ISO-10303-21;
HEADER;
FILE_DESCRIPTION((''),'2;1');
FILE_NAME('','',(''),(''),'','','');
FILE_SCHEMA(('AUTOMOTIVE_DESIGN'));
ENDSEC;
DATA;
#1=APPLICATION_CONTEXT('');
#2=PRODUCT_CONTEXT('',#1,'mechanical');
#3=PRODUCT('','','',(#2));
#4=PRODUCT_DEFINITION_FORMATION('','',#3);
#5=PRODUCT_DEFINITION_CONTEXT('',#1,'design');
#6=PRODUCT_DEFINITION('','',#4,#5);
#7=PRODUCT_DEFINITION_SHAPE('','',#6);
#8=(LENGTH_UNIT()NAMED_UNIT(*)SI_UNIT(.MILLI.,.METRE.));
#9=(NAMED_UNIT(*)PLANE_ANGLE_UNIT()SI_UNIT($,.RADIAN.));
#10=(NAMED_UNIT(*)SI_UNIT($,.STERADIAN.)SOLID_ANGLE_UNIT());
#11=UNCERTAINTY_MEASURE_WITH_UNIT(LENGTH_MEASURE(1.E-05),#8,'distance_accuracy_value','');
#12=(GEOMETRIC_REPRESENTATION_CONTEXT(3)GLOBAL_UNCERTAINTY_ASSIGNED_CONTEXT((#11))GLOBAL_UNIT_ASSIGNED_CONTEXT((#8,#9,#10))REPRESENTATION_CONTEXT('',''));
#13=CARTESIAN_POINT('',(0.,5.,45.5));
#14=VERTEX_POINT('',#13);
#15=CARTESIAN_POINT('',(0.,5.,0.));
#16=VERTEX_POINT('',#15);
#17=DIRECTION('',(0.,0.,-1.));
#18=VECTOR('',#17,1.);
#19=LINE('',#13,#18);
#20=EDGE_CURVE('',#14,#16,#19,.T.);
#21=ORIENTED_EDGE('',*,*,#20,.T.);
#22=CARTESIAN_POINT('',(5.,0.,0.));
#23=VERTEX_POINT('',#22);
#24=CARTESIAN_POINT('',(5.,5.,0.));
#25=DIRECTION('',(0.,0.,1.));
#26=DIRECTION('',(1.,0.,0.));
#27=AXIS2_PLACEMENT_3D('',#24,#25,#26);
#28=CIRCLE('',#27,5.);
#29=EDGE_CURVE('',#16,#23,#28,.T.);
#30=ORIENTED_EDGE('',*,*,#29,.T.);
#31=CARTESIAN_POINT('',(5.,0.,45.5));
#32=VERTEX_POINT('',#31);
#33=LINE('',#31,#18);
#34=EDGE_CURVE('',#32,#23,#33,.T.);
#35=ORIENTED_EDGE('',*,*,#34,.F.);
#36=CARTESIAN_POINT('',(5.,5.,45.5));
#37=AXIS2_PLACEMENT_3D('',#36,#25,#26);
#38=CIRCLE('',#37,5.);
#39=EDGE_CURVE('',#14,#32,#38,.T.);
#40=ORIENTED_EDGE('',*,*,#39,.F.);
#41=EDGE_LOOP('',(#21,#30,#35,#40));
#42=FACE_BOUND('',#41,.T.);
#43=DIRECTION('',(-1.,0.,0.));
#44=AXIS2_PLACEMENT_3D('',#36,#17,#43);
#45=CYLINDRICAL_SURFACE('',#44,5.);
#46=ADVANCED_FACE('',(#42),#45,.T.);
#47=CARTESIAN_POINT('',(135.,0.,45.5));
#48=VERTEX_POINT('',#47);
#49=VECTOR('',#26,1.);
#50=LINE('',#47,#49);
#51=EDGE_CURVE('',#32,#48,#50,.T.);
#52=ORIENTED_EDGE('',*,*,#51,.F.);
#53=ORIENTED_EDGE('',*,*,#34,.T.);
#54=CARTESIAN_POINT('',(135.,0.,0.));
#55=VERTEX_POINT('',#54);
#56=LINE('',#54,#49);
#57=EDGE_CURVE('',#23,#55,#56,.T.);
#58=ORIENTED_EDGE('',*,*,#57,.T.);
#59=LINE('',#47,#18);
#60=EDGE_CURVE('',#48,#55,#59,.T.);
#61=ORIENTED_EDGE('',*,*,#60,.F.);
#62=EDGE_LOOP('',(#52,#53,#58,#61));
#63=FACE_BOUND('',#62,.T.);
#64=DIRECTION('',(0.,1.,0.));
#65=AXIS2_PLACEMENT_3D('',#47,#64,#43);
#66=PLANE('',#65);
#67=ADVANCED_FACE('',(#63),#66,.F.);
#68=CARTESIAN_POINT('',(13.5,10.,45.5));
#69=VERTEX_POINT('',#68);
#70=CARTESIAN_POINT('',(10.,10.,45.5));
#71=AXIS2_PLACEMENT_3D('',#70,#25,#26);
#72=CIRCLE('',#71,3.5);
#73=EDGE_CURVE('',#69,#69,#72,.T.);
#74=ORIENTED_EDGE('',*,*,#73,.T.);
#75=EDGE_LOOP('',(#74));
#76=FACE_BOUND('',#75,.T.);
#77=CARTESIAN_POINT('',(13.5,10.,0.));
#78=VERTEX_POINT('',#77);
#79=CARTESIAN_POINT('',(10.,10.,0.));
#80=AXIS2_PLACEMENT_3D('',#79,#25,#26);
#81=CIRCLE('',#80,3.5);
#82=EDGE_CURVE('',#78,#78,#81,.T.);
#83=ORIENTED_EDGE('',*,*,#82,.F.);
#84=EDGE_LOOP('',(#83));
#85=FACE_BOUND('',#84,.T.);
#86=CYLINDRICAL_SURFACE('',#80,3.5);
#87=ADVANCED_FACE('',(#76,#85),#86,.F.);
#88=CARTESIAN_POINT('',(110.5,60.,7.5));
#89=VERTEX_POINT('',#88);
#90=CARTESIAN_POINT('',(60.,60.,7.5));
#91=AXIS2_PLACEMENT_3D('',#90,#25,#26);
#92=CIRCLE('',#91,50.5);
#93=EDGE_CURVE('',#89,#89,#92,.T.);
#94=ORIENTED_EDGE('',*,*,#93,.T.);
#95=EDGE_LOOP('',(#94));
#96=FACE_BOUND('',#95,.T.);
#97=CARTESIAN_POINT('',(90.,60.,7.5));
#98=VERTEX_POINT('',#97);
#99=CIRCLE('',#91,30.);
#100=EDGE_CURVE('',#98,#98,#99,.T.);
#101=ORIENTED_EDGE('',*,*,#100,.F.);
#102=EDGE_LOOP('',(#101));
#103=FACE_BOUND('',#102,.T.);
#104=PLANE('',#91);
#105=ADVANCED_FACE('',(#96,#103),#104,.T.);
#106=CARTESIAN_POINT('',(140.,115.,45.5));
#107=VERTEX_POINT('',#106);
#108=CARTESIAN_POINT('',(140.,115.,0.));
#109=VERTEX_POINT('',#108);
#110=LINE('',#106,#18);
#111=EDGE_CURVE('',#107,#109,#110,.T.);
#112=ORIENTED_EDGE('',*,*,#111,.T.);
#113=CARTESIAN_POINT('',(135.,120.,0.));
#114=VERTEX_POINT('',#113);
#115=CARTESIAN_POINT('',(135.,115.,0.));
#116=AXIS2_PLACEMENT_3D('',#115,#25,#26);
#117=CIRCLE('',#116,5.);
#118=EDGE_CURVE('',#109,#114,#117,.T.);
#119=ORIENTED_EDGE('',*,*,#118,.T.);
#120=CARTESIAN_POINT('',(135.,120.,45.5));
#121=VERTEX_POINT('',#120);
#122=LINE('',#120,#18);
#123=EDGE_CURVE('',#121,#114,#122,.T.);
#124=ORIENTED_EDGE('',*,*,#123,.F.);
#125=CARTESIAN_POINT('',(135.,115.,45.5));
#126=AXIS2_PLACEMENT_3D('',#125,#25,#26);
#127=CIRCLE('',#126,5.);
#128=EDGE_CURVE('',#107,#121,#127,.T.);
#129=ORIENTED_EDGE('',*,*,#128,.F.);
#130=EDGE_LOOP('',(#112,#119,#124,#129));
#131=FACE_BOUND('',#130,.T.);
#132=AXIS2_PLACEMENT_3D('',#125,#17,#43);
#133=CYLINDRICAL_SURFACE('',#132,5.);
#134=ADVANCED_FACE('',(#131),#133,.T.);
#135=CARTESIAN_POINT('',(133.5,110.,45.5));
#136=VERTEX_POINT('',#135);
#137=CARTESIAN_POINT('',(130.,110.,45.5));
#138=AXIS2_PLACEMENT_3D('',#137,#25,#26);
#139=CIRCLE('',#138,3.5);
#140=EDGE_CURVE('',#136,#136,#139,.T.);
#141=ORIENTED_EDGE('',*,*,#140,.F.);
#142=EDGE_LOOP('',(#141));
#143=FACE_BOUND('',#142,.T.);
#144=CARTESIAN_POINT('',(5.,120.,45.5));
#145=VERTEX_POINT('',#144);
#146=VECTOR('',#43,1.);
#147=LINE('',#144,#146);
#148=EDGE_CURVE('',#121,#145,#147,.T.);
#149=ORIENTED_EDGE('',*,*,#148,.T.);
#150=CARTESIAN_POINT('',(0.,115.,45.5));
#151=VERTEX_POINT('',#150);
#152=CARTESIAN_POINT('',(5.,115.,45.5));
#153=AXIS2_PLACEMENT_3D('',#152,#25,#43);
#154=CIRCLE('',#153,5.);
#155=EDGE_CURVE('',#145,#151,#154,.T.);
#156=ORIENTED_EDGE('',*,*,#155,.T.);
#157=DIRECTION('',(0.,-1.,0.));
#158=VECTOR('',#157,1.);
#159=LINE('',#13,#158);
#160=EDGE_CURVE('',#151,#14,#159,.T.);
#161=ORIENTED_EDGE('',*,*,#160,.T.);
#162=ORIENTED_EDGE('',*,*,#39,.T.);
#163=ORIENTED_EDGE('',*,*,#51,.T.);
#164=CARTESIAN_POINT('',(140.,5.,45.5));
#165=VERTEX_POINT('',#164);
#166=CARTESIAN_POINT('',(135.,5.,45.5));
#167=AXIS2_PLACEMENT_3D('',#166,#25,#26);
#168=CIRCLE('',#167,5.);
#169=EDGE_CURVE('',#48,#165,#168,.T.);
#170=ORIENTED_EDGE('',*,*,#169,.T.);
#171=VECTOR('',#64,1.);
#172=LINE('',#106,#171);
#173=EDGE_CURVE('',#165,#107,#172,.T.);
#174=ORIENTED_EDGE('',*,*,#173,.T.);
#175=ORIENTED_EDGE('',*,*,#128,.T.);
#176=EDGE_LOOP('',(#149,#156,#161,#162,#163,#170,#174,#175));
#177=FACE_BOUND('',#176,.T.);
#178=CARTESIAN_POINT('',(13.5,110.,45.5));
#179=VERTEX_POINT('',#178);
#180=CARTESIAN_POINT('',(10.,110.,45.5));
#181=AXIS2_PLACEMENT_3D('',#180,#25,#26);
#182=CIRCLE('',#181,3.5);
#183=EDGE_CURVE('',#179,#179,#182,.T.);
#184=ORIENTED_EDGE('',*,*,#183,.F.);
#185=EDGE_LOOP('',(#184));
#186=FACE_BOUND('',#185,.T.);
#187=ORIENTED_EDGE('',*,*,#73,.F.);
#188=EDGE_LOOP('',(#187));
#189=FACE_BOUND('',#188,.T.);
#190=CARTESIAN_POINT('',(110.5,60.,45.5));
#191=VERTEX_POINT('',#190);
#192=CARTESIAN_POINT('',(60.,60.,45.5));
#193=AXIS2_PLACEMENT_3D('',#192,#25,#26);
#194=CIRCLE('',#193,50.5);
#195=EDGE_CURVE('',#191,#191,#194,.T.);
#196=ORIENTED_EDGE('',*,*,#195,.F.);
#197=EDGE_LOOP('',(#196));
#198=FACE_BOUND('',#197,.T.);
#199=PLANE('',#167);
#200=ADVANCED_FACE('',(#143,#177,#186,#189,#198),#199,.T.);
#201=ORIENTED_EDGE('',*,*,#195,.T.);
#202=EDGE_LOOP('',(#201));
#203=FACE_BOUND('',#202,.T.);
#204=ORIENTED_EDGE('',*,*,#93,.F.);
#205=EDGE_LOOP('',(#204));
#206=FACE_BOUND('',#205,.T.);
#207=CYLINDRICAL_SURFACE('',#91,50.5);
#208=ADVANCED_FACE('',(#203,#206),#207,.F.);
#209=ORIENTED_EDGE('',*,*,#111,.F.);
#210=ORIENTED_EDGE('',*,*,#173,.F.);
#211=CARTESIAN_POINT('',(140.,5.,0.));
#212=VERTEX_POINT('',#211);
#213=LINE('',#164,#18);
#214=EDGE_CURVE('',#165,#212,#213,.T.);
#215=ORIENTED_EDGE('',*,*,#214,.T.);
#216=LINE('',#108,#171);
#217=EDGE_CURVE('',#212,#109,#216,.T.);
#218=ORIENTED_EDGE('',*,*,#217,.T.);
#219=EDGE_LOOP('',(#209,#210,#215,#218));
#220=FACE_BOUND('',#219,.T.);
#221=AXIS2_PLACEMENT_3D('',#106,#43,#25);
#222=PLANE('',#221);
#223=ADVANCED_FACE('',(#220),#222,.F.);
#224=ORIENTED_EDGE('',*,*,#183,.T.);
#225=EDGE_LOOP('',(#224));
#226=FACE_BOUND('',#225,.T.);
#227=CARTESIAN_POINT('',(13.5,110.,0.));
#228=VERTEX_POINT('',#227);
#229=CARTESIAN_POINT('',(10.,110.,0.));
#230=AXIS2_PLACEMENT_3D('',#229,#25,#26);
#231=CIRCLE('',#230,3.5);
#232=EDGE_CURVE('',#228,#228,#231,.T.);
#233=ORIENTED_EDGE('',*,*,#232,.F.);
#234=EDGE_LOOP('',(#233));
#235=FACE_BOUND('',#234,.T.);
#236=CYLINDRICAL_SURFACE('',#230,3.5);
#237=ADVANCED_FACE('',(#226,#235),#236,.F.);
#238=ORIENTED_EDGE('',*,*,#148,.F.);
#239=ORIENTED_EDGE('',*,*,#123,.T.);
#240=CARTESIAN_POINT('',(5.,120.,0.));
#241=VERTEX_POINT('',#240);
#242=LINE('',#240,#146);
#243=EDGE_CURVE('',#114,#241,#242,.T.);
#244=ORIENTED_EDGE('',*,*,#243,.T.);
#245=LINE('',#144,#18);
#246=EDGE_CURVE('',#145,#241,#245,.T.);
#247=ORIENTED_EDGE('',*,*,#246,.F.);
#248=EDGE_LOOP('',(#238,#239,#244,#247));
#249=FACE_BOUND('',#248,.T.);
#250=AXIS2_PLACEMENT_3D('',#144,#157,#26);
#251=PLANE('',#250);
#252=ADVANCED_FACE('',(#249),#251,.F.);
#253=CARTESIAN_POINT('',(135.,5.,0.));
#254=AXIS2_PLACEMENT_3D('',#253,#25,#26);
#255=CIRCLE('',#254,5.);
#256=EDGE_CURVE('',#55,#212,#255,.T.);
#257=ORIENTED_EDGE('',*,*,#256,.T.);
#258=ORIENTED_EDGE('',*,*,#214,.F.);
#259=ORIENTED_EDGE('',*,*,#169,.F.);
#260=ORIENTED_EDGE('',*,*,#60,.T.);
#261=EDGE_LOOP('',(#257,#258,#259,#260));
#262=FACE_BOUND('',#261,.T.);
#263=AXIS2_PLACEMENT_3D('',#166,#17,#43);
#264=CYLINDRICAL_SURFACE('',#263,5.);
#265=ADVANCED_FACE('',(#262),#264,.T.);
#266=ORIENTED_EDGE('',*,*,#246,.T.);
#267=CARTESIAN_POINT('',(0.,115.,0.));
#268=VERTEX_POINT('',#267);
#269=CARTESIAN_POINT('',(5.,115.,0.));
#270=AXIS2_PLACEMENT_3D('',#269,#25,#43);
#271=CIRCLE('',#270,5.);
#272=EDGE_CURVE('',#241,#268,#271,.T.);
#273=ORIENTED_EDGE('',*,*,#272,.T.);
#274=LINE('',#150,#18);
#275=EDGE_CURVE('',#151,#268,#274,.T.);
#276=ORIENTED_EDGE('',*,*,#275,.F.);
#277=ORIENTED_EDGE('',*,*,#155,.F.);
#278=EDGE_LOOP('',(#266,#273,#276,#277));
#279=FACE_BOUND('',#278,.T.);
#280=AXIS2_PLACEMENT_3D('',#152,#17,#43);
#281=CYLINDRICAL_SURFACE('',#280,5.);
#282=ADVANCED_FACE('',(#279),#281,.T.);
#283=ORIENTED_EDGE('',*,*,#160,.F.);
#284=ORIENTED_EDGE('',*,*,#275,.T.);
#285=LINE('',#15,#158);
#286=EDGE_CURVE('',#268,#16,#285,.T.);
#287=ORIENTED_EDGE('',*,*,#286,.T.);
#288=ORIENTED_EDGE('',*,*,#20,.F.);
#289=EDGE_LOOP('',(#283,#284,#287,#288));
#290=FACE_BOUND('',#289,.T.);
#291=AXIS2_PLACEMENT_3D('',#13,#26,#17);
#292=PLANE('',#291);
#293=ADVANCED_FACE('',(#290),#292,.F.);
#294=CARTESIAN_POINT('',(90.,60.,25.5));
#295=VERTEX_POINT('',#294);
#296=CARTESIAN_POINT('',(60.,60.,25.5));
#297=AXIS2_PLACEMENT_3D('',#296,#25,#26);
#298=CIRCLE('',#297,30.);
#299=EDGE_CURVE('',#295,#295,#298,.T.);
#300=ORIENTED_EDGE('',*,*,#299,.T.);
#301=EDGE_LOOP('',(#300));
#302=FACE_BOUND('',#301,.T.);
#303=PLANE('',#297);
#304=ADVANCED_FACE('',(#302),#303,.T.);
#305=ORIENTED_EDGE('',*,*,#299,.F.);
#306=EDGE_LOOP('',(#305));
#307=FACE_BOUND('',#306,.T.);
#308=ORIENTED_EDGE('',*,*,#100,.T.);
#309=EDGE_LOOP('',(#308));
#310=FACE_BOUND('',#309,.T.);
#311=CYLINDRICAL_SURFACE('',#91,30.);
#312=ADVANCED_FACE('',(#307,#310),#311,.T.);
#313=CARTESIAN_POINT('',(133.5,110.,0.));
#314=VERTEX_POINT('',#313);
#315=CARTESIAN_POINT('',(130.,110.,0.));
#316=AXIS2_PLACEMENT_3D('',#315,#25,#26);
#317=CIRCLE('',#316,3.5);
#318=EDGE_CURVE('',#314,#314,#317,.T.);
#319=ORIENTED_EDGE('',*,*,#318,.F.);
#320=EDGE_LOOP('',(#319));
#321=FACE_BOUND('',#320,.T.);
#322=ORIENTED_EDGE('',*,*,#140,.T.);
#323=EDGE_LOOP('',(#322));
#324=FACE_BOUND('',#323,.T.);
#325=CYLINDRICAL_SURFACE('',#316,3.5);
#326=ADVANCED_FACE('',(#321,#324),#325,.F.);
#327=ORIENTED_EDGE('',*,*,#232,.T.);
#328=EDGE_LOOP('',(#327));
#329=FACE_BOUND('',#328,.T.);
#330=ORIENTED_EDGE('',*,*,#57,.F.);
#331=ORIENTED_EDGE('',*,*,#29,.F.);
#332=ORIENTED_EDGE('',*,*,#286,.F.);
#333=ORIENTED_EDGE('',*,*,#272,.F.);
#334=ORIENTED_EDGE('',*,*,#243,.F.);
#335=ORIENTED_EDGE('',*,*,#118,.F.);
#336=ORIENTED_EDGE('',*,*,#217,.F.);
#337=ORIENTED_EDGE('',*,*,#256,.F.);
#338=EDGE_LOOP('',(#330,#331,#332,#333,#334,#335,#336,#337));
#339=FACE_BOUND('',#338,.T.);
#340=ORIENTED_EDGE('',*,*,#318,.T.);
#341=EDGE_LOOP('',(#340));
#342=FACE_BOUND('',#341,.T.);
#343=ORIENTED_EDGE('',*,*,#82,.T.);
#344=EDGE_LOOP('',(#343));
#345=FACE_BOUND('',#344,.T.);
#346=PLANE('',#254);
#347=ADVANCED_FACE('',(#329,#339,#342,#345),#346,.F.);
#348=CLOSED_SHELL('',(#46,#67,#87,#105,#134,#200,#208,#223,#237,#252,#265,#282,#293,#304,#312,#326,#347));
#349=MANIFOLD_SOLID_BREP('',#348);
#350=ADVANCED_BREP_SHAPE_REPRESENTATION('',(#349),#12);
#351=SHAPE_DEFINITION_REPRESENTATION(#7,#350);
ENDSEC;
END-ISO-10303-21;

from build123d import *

# Parameters (mm, degrees)
BOSS_EXTRUDE1_DEPTH = 45.5
SKETCH3_R           = 3.5
CUT_EXTRUDE1_DEPTH  = 46.5
SKETCH5_R           = 50.5
SKETCH5_R_2         = 30
CUT_EXTRUDE2_DEPTH  = 38
SKETCH6_R           = 30
CUT_EXTRUDE3_DEPTH  = 20


with BuildPart() as part:
    # Sketch1 → Boss-Extrude1 (new body)
    with BuildSketch(Plane.XY):
        with BuildLine():
            Line((0, 5), (0, 115))
            ThreePointArc((0, 115), (1.464466094, 118.535533906), (5, 120))
            Line((5, 120), (135, 120))
            ThreePointArc((135, 120), (138.535533906, 118.535533906), (140, 115))
            Line((140, 115), (140, 5))
            ThreePointArc((140, 5), (138.535533906, 1.464466094), (135, 0))
            Line((135, 0), (5, 0))
            ThreePointArc((5, 0), (1.464466094, 1.464466094), (0, 5))
        make_face()
    extrude(amount=BOSS_EXTRUDE1_DEPTH)

    # Sketch3 → Cut-Extrude1 (cut, through all)
    with BuildSketch(Plane.XY.offset(45.5)):
        with Locations((10, 110)):
            Circle(SKETCH3_R)
        with Locations((130, 110)):
            Circle(SKETCH3_R)
        with Locations((10, 10)):
            Circle(SKETCH3_R)
    extrude(amount=-CUT_EXTRUDE1_DEPTH, mode=Mode.SUBTRACT)

    # Sketch5 → Cut-Extrude2 (cut)
    with BuildSketch(Plane.XY.offset(45.5)):
        with Locations((60, 60)):
            Circle(SKETCH5_R)
        with Locations((60, 60)):
            Circle(SKETCH5_R_2, mode=Mode.SUBTRACT)
    extrude(amount=-CUT_EXTRUDE2_DEPTH, mode=Mode.SUBTRACT)

    # Sketch6 → Cut-Extrude3 (cut)
    with BuildSketch(Plane.XY.offset(45.5)):
        with Locations((60, 60)):
            Circle(SKETCH6_R)
    extrude(amount=-CUT_EXTRUDE3_DEPTH, mode=Mode.SUBTRACT)


solid = part.part
